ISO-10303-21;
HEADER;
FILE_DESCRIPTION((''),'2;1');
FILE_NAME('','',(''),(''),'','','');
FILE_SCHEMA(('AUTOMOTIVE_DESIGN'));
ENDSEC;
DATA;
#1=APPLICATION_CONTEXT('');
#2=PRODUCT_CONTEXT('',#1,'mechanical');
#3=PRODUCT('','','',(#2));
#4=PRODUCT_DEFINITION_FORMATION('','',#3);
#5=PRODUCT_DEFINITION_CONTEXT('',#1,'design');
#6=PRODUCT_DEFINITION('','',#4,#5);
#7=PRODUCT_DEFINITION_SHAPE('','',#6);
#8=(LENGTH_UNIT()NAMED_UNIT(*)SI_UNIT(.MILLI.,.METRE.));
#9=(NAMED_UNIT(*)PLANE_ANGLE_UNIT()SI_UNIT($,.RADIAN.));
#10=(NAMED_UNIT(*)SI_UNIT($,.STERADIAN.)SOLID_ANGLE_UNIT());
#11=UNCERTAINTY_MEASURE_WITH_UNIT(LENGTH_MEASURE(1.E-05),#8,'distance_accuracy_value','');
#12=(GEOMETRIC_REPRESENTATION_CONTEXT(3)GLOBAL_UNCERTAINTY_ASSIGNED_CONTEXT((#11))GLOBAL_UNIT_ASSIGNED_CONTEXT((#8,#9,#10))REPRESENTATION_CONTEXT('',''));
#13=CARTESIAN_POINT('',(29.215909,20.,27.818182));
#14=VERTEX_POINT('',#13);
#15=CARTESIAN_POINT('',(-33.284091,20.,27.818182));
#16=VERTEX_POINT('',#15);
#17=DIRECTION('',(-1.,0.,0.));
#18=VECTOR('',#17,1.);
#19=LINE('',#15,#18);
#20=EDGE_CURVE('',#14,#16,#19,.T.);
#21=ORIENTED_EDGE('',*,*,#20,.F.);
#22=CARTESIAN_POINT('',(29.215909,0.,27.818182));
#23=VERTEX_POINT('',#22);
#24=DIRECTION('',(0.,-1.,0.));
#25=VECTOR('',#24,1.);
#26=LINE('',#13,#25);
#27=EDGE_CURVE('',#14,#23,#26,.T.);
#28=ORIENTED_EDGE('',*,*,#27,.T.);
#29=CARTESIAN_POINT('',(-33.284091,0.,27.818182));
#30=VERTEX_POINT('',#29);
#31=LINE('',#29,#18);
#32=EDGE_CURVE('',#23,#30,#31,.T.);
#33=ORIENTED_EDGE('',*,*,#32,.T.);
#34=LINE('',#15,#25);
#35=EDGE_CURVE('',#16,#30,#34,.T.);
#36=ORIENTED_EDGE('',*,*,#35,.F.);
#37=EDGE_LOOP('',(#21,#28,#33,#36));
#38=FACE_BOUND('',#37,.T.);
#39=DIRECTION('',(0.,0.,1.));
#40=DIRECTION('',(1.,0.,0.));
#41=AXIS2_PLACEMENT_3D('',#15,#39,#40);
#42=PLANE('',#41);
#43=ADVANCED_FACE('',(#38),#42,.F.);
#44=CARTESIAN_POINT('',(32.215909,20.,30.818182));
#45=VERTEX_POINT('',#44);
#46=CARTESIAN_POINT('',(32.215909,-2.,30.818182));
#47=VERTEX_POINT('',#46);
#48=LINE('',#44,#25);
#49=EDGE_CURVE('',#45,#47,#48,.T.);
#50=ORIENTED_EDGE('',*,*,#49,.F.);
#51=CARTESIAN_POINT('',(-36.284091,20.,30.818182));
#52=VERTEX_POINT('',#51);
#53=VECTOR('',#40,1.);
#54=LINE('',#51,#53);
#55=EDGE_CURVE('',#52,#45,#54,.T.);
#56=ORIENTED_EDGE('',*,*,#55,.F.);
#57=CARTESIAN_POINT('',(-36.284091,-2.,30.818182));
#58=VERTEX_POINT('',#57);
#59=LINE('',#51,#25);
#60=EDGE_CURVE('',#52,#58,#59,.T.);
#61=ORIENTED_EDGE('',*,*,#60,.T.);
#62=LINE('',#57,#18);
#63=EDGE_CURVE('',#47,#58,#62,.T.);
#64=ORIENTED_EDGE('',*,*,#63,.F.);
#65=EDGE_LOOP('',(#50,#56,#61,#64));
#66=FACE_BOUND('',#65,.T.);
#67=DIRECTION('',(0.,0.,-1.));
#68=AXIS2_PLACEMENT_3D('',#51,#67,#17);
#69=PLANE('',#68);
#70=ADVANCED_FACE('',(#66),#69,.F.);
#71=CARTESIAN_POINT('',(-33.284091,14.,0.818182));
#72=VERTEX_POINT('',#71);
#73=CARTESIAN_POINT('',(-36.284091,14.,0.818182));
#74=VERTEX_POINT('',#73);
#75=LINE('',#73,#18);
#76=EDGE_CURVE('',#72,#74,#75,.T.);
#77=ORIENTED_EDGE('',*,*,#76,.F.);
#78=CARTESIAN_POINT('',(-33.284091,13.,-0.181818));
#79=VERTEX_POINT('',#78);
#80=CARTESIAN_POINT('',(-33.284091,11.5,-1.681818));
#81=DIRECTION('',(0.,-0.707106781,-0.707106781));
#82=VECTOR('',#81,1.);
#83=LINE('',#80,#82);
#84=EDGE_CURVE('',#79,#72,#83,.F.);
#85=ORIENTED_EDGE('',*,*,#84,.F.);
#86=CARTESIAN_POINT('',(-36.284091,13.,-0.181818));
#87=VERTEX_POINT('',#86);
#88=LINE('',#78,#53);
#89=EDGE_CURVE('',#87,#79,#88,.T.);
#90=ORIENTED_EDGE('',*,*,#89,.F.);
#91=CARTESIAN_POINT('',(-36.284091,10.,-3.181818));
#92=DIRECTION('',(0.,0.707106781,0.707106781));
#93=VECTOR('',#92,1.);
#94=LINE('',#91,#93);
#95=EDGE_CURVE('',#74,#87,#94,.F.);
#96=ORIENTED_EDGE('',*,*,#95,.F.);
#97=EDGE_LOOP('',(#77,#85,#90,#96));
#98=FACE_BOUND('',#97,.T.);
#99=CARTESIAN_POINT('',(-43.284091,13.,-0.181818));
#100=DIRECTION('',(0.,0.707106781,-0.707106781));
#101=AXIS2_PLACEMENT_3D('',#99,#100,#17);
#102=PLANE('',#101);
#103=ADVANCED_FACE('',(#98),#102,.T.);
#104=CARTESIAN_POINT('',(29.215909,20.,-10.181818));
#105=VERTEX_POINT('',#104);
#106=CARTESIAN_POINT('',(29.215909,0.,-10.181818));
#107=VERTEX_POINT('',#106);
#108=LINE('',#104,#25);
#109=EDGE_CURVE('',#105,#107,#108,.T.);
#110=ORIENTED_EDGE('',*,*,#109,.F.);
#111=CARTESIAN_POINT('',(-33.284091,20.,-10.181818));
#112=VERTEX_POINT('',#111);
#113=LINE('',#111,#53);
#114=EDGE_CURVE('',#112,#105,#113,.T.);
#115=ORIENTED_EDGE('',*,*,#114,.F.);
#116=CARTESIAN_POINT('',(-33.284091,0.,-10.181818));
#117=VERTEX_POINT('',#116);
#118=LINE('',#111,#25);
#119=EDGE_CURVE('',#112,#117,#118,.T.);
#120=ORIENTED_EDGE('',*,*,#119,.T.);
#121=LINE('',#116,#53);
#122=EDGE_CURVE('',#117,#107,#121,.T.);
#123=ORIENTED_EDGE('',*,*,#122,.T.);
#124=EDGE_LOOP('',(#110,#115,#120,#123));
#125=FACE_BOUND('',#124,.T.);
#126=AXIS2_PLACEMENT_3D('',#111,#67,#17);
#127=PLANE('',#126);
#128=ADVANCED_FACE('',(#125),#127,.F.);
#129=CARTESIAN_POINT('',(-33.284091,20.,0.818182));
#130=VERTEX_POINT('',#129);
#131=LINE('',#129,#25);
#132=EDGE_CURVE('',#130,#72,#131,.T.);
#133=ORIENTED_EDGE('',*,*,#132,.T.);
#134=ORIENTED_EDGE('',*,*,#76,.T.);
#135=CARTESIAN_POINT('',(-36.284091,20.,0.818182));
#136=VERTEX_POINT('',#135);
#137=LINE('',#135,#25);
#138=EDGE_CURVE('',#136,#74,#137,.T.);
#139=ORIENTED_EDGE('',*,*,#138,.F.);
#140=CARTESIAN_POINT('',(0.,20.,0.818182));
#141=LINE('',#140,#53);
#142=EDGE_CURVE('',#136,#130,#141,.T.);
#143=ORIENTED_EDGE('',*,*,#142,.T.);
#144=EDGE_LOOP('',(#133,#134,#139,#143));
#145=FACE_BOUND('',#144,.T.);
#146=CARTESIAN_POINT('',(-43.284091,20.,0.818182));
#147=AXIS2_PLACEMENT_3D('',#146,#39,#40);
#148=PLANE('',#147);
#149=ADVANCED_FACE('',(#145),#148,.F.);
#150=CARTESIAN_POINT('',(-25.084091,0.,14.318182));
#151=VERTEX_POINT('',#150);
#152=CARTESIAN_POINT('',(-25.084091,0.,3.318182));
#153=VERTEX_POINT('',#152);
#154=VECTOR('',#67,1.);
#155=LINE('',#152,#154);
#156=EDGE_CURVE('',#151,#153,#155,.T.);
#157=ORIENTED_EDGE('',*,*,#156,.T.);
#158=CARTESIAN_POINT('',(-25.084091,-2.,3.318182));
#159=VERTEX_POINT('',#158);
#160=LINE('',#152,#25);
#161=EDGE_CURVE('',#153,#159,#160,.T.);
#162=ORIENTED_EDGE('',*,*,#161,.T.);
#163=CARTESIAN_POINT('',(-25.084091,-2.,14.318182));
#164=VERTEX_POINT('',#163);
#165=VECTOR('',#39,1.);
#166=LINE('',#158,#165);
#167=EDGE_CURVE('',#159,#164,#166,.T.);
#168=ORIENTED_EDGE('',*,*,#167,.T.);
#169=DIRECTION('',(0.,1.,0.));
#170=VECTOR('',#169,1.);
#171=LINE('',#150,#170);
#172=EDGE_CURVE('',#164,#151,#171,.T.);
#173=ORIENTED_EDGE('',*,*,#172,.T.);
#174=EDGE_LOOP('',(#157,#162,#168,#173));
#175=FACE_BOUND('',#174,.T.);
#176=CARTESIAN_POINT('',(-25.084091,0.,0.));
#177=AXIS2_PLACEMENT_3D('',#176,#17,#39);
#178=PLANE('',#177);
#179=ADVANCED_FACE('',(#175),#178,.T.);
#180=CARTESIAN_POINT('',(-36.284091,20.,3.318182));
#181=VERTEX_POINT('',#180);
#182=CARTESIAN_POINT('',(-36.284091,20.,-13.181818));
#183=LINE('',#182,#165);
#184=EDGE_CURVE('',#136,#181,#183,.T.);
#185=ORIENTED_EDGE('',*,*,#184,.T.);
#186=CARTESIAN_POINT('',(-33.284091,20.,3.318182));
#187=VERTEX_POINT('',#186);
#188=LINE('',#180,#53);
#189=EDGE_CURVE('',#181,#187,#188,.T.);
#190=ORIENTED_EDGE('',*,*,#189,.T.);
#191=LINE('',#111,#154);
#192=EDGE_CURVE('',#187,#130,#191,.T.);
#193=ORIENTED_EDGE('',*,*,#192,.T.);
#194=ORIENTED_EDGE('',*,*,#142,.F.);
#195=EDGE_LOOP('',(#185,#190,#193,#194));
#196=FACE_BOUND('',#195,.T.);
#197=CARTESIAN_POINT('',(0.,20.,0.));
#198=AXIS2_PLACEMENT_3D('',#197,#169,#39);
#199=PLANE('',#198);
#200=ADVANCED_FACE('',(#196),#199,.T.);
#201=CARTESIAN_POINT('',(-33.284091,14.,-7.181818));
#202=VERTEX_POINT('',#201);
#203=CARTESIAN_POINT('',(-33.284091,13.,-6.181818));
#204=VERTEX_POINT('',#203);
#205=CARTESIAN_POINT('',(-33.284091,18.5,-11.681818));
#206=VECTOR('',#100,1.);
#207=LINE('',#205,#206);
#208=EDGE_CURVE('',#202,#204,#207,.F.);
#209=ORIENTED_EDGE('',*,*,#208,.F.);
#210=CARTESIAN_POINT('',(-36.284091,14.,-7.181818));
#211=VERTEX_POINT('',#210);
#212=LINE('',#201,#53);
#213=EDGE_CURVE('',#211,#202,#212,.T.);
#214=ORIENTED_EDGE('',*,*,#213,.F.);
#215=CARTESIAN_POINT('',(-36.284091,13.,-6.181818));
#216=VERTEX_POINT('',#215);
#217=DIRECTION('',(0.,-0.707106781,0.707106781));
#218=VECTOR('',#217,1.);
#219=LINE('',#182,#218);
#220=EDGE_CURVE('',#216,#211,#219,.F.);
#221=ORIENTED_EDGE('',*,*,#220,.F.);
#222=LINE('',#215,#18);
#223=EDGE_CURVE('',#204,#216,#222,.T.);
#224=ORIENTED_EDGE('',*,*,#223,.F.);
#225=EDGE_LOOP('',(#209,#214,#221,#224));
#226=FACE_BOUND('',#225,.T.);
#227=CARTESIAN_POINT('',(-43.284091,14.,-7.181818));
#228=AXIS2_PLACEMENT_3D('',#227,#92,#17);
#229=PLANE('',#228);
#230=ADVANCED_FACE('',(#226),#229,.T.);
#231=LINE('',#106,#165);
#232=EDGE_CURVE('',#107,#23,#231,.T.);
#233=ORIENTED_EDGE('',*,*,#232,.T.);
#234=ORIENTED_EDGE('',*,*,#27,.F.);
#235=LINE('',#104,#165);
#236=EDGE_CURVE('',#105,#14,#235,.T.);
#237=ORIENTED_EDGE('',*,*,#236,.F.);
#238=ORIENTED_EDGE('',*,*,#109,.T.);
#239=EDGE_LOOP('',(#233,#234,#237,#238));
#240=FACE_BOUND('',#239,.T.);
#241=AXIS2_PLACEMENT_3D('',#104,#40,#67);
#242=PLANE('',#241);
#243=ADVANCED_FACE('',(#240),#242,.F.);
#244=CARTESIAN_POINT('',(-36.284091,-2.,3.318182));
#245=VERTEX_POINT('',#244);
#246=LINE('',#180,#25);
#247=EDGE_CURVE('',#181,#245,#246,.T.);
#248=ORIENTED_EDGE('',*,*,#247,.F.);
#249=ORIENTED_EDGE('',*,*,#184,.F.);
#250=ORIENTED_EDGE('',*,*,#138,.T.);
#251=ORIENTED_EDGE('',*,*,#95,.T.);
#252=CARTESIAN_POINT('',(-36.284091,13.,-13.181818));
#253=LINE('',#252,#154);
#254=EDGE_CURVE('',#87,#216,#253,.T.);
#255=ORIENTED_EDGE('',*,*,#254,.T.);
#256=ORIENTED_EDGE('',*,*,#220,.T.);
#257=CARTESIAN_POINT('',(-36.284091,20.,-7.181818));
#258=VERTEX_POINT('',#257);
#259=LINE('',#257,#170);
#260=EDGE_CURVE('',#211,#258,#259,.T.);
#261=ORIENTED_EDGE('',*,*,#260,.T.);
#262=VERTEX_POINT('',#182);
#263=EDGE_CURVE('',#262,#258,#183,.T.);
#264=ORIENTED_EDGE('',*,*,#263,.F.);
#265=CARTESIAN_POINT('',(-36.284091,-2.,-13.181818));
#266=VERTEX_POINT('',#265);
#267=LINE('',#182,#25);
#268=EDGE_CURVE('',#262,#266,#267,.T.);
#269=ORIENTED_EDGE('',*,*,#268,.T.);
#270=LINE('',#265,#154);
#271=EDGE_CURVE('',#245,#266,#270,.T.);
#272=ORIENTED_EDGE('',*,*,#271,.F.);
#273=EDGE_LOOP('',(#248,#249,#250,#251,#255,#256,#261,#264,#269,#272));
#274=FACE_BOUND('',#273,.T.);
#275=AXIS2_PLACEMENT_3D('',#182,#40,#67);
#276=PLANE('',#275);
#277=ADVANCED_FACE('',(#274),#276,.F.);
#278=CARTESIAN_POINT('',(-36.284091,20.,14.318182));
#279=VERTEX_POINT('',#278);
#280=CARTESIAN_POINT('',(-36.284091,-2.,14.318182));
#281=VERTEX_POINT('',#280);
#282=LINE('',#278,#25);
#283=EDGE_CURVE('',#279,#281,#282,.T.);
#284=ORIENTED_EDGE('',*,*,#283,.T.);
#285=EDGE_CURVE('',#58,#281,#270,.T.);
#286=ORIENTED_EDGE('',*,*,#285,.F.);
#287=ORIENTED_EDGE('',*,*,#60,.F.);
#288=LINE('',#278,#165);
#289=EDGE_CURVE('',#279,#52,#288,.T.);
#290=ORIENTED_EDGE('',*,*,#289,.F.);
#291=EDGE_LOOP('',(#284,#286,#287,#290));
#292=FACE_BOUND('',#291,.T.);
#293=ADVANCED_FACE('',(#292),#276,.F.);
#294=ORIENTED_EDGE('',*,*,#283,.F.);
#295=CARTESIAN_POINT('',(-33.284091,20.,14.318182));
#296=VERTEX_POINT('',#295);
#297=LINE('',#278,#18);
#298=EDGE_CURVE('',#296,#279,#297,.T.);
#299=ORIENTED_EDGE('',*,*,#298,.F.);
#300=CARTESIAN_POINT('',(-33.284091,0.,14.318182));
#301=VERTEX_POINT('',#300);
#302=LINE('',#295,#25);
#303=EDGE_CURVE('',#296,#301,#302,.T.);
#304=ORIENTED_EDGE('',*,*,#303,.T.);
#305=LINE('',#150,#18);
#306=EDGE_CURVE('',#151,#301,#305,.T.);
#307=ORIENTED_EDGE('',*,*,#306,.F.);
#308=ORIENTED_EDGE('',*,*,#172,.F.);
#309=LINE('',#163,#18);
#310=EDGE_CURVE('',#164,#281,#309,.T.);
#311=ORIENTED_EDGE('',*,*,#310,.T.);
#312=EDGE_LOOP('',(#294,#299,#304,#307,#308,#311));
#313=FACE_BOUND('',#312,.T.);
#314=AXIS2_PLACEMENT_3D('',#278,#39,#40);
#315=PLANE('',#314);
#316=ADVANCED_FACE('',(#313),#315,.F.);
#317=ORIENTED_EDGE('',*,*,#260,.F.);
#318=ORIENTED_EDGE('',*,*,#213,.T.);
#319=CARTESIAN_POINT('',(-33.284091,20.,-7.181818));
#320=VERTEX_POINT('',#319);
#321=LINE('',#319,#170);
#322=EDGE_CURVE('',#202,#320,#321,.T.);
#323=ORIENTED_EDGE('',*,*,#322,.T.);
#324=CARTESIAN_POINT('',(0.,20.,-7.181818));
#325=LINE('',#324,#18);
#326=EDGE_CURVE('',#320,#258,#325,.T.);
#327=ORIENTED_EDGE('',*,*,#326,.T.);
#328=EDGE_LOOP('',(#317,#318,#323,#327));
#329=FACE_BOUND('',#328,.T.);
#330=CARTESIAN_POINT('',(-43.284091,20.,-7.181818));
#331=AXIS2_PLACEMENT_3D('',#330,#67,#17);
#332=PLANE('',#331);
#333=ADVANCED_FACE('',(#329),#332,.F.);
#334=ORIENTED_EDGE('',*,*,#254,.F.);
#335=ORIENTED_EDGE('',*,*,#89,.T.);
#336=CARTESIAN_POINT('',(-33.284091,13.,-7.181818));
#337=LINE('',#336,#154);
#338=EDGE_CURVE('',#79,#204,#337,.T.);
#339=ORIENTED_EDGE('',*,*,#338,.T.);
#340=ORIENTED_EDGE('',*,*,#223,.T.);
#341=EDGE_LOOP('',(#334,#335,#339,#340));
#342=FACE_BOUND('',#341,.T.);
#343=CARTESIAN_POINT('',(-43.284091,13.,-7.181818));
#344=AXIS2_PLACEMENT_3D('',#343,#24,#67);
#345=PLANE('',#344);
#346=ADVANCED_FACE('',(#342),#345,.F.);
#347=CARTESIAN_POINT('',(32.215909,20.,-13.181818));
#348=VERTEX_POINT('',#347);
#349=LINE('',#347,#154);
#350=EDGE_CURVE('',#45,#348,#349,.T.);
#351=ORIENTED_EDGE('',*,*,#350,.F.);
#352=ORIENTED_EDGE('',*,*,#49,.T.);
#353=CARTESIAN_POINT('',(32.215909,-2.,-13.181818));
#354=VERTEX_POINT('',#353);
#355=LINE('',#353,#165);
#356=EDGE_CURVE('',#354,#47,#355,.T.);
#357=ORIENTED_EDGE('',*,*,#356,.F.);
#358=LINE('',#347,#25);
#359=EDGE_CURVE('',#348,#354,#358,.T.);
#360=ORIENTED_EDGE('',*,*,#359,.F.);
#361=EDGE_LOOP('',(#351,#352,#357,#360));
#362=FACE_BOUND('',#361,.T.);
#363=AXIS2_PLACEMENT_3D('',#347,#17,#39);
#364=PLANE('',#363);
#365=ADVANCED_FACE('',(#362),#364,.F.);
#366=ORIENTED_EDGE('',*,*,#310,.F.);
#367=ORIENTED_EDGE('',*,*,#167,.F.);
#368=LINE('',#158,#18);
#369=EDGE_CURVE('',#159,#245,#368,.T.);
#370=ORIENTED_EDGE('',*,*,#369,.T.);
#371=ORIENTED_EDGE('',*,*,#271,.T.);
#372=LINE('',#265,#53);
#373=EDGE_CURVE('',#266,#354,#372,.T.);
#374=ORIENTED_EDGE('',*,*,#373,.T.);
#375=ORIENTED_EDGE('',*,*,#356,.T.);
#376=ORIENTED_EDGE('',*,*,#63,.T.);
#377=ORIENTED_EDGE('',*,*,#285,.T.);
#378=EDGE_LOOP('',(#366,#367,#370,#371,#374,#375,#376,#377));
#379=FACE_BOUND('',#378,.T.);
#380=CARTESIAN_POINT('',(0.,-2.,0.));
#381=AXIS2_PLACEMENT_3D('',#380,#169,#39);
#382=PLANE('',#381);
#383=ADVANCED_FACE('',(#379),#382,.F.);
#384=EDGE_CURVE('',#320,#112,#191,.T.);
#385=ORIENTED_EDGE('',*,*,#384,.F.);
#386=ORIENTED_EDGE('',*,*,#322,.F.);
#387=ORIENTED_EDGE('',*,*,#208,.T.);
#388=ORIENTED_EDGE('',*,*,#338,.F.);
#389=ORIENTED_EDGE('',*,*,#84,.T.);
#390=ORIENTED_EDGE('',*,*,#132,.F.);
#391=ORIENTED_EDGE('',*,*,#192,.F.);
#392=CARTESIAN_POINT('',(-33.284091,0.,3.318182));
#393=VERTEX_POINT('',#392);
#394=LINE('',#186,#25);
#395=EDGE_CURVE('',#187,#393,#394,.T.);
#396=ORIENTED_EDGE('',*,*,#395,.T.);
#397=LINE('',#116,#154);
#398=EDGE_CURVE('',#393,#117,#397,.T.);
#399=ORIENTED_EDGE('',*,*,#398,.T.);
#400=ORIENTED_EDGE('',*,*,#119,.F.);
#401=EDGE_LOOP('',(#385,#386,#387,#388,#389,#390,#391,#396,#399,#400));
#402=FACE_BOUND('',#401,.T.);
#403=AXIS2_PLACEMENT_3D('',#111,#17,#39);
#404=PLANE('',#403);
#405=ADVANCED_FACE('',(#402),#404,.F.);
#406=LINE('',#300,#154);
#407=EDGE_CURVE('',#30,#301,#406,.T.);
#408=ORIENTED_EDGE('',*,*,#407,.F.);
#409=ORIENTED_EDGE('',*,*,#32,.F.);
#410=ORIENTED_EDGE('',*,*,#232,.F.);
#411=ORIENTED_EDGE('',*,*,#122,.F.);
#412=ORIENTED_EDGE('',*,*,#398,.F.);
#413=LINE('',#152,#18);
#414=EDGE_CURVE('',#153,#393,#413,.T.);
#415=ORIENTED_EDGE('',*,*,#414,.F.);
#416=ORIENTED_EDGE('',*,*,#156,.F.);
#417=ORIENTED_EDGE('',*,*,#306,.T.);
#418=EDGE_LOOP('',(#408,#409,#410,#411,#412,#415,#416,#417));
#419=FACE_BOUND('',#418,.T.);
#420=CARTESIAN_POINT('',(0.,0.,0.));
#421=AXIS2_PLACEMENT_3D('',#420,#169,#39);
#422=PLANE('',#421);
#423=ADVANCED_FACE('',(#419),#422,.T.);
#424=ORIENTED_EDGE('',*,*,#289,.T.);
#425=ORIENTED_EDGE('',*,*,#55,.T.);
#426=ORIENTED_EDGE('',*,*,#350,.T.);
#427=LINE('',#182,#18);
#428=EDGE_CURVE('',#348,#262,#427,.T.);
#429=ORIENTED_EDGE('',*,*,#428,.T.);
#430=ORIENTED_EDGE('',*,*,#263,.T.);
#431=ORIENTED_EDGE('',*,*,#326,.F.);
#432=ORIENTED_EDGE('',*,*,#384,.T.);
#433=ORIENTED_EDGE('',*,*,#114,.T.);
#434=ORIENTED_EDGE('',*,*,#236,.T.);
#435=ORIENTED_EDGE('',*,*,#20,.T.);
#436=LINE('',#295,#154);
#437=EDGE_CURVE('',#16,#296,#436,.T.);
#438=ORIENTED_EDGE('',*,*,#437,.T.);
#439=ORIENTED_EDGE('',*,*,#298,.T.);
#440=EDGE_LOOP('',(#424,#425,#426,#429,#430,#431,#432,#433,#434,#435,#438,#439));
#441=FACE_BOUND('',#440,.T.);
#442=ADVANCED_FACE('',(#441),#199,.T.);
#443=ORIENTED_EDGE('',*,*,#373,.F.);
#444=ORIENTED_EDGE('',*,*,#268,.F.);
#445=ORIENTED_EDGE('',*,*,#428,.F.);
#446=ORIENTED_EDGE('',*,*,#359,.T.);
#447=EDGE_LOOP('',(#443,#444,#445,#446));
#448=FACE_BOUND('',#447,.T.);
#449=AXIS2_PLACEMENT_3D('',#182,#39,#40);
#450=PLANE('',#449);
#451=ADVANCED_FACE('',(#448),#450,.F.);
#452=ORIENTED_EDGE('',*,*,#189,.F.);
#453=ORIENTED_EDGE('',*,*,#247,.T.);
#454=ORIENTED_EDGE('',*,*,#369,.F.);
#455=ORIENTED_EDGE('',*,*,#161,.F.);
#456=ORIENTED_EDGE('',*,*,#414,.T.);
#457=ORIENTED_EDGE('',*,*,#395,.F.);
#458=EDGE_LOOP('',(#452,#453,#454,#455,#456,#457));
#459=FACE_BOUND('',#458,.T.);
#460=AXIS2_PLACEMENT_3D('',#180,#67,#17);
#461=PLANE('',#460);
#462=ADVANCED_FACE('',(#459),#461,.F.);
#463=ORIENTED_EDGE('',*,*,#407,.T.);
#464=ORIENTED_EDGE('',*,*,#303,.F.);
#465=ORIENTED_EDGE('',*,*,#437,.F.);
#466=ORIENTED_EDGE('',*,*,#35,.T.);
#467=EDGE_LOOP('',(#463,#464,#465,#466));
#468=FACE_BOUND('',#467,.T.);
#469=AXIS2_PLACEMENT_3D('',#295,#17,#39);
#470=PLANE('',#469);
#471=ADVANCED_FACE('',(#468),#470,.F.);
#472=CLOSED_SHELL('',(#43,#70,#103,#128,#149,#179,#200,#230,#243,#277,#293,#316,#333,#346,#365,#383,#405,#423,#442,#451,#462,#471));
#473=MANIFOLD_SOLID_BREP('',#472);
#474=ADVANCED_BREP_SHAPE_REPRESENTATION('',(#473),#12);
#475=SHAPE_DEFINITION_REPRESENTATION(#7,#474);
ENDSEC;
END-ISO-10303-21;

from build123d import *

# Parameters (mm, degrees)
BOSS_EXTRUDE1_DEPTH = 20
SKETCH2_W           = 68.5
SKETCH2_H           = 44
BOSS_EXTRUDE2_DEPTH = 2
SKETCH3_W           = 11
SKETCH3_H           = 2
CUT_EXTRUDE1_DEPTH  = 11.2
SKETCH4_W           = 8
SKETCH4_H           = 7
CUT_EXTRUDE2_DEPTH  = 10
CHAMFER2_SIZE       = 1


with BuildPart() as part:
    # Sketch1 → Boss-Extrude1 (new body)
    with BuildSketch(Plane(origin=(0, 0, 0), x_dir=(1, 0, 0), z_dir=(0, 1, 0))):
        Polygon((-33.284090909, -14.318181818), (-33.284090909, -27.818181818), (29.215909091, -27.818181818), (29.215909091, 10.181818182), (-33.284090909, 10.181818182), (-33.284090909, -3.318181818), (-36.284090909, -3.318181818), (-36.284090909, 13.181818182), (32.215909091, 13.181818182), (32.215909091, -30.818181818), (-36.284090909, -30.818181818), (-36.284090909, -14.318181818), align=None)
    extrude(amount=BOSS_EXTRUDE1_DEPTH)

    # Sketch2 → Boss-Extrude2 (add)
    with BuildSketch(Plane.XZ):
        with Locations((-2.034090909, 8.818181818)):
            Rectangle(SKETCH2_W, SKETCH2_H)
    extrude(amount=BOSS_EXTRUDE2_DEPTH)

    # Sketch3 → Cut-Extrude1 (cut)
    with BuildSketch(Plane.ZY.offset(36.284090909)):
        with Locations((8.818181818, -1)):
            Rectangle(SKETCH3_W, SKETCH3_H)
    extrude(amount=-CUT_EXTRUDE1_DEPTH, mode=Mode.SUBTRACT)

    # Sketch4 → Cut-Extrude2 (cut)
    with BuildSketch(Plane(origin=(-33.284090909, 0, 0), x_dir=(0, 0, -1), z_dir=(1, 0, 0))):
        with Locations((3.181818182, 16.5)):
            Rectangle(SKETCH4_W, SKETCH4_H)
    extrude(amount=-CUT_EXTRUDE2_DEPTH, mode=Mode.SUBTRACT)

    # Chamfer2
    chamfer2_edges = [part.edges().sort_by_distance(p)[0] for p in [
        (-34.784090909, 13, -7.181818182),
        (-34.784090909, 13, 0.818181818),
    ]]
    chamfer(chamfer2_edges, length=CHAMFER2_SIZE)


solid = part.part
